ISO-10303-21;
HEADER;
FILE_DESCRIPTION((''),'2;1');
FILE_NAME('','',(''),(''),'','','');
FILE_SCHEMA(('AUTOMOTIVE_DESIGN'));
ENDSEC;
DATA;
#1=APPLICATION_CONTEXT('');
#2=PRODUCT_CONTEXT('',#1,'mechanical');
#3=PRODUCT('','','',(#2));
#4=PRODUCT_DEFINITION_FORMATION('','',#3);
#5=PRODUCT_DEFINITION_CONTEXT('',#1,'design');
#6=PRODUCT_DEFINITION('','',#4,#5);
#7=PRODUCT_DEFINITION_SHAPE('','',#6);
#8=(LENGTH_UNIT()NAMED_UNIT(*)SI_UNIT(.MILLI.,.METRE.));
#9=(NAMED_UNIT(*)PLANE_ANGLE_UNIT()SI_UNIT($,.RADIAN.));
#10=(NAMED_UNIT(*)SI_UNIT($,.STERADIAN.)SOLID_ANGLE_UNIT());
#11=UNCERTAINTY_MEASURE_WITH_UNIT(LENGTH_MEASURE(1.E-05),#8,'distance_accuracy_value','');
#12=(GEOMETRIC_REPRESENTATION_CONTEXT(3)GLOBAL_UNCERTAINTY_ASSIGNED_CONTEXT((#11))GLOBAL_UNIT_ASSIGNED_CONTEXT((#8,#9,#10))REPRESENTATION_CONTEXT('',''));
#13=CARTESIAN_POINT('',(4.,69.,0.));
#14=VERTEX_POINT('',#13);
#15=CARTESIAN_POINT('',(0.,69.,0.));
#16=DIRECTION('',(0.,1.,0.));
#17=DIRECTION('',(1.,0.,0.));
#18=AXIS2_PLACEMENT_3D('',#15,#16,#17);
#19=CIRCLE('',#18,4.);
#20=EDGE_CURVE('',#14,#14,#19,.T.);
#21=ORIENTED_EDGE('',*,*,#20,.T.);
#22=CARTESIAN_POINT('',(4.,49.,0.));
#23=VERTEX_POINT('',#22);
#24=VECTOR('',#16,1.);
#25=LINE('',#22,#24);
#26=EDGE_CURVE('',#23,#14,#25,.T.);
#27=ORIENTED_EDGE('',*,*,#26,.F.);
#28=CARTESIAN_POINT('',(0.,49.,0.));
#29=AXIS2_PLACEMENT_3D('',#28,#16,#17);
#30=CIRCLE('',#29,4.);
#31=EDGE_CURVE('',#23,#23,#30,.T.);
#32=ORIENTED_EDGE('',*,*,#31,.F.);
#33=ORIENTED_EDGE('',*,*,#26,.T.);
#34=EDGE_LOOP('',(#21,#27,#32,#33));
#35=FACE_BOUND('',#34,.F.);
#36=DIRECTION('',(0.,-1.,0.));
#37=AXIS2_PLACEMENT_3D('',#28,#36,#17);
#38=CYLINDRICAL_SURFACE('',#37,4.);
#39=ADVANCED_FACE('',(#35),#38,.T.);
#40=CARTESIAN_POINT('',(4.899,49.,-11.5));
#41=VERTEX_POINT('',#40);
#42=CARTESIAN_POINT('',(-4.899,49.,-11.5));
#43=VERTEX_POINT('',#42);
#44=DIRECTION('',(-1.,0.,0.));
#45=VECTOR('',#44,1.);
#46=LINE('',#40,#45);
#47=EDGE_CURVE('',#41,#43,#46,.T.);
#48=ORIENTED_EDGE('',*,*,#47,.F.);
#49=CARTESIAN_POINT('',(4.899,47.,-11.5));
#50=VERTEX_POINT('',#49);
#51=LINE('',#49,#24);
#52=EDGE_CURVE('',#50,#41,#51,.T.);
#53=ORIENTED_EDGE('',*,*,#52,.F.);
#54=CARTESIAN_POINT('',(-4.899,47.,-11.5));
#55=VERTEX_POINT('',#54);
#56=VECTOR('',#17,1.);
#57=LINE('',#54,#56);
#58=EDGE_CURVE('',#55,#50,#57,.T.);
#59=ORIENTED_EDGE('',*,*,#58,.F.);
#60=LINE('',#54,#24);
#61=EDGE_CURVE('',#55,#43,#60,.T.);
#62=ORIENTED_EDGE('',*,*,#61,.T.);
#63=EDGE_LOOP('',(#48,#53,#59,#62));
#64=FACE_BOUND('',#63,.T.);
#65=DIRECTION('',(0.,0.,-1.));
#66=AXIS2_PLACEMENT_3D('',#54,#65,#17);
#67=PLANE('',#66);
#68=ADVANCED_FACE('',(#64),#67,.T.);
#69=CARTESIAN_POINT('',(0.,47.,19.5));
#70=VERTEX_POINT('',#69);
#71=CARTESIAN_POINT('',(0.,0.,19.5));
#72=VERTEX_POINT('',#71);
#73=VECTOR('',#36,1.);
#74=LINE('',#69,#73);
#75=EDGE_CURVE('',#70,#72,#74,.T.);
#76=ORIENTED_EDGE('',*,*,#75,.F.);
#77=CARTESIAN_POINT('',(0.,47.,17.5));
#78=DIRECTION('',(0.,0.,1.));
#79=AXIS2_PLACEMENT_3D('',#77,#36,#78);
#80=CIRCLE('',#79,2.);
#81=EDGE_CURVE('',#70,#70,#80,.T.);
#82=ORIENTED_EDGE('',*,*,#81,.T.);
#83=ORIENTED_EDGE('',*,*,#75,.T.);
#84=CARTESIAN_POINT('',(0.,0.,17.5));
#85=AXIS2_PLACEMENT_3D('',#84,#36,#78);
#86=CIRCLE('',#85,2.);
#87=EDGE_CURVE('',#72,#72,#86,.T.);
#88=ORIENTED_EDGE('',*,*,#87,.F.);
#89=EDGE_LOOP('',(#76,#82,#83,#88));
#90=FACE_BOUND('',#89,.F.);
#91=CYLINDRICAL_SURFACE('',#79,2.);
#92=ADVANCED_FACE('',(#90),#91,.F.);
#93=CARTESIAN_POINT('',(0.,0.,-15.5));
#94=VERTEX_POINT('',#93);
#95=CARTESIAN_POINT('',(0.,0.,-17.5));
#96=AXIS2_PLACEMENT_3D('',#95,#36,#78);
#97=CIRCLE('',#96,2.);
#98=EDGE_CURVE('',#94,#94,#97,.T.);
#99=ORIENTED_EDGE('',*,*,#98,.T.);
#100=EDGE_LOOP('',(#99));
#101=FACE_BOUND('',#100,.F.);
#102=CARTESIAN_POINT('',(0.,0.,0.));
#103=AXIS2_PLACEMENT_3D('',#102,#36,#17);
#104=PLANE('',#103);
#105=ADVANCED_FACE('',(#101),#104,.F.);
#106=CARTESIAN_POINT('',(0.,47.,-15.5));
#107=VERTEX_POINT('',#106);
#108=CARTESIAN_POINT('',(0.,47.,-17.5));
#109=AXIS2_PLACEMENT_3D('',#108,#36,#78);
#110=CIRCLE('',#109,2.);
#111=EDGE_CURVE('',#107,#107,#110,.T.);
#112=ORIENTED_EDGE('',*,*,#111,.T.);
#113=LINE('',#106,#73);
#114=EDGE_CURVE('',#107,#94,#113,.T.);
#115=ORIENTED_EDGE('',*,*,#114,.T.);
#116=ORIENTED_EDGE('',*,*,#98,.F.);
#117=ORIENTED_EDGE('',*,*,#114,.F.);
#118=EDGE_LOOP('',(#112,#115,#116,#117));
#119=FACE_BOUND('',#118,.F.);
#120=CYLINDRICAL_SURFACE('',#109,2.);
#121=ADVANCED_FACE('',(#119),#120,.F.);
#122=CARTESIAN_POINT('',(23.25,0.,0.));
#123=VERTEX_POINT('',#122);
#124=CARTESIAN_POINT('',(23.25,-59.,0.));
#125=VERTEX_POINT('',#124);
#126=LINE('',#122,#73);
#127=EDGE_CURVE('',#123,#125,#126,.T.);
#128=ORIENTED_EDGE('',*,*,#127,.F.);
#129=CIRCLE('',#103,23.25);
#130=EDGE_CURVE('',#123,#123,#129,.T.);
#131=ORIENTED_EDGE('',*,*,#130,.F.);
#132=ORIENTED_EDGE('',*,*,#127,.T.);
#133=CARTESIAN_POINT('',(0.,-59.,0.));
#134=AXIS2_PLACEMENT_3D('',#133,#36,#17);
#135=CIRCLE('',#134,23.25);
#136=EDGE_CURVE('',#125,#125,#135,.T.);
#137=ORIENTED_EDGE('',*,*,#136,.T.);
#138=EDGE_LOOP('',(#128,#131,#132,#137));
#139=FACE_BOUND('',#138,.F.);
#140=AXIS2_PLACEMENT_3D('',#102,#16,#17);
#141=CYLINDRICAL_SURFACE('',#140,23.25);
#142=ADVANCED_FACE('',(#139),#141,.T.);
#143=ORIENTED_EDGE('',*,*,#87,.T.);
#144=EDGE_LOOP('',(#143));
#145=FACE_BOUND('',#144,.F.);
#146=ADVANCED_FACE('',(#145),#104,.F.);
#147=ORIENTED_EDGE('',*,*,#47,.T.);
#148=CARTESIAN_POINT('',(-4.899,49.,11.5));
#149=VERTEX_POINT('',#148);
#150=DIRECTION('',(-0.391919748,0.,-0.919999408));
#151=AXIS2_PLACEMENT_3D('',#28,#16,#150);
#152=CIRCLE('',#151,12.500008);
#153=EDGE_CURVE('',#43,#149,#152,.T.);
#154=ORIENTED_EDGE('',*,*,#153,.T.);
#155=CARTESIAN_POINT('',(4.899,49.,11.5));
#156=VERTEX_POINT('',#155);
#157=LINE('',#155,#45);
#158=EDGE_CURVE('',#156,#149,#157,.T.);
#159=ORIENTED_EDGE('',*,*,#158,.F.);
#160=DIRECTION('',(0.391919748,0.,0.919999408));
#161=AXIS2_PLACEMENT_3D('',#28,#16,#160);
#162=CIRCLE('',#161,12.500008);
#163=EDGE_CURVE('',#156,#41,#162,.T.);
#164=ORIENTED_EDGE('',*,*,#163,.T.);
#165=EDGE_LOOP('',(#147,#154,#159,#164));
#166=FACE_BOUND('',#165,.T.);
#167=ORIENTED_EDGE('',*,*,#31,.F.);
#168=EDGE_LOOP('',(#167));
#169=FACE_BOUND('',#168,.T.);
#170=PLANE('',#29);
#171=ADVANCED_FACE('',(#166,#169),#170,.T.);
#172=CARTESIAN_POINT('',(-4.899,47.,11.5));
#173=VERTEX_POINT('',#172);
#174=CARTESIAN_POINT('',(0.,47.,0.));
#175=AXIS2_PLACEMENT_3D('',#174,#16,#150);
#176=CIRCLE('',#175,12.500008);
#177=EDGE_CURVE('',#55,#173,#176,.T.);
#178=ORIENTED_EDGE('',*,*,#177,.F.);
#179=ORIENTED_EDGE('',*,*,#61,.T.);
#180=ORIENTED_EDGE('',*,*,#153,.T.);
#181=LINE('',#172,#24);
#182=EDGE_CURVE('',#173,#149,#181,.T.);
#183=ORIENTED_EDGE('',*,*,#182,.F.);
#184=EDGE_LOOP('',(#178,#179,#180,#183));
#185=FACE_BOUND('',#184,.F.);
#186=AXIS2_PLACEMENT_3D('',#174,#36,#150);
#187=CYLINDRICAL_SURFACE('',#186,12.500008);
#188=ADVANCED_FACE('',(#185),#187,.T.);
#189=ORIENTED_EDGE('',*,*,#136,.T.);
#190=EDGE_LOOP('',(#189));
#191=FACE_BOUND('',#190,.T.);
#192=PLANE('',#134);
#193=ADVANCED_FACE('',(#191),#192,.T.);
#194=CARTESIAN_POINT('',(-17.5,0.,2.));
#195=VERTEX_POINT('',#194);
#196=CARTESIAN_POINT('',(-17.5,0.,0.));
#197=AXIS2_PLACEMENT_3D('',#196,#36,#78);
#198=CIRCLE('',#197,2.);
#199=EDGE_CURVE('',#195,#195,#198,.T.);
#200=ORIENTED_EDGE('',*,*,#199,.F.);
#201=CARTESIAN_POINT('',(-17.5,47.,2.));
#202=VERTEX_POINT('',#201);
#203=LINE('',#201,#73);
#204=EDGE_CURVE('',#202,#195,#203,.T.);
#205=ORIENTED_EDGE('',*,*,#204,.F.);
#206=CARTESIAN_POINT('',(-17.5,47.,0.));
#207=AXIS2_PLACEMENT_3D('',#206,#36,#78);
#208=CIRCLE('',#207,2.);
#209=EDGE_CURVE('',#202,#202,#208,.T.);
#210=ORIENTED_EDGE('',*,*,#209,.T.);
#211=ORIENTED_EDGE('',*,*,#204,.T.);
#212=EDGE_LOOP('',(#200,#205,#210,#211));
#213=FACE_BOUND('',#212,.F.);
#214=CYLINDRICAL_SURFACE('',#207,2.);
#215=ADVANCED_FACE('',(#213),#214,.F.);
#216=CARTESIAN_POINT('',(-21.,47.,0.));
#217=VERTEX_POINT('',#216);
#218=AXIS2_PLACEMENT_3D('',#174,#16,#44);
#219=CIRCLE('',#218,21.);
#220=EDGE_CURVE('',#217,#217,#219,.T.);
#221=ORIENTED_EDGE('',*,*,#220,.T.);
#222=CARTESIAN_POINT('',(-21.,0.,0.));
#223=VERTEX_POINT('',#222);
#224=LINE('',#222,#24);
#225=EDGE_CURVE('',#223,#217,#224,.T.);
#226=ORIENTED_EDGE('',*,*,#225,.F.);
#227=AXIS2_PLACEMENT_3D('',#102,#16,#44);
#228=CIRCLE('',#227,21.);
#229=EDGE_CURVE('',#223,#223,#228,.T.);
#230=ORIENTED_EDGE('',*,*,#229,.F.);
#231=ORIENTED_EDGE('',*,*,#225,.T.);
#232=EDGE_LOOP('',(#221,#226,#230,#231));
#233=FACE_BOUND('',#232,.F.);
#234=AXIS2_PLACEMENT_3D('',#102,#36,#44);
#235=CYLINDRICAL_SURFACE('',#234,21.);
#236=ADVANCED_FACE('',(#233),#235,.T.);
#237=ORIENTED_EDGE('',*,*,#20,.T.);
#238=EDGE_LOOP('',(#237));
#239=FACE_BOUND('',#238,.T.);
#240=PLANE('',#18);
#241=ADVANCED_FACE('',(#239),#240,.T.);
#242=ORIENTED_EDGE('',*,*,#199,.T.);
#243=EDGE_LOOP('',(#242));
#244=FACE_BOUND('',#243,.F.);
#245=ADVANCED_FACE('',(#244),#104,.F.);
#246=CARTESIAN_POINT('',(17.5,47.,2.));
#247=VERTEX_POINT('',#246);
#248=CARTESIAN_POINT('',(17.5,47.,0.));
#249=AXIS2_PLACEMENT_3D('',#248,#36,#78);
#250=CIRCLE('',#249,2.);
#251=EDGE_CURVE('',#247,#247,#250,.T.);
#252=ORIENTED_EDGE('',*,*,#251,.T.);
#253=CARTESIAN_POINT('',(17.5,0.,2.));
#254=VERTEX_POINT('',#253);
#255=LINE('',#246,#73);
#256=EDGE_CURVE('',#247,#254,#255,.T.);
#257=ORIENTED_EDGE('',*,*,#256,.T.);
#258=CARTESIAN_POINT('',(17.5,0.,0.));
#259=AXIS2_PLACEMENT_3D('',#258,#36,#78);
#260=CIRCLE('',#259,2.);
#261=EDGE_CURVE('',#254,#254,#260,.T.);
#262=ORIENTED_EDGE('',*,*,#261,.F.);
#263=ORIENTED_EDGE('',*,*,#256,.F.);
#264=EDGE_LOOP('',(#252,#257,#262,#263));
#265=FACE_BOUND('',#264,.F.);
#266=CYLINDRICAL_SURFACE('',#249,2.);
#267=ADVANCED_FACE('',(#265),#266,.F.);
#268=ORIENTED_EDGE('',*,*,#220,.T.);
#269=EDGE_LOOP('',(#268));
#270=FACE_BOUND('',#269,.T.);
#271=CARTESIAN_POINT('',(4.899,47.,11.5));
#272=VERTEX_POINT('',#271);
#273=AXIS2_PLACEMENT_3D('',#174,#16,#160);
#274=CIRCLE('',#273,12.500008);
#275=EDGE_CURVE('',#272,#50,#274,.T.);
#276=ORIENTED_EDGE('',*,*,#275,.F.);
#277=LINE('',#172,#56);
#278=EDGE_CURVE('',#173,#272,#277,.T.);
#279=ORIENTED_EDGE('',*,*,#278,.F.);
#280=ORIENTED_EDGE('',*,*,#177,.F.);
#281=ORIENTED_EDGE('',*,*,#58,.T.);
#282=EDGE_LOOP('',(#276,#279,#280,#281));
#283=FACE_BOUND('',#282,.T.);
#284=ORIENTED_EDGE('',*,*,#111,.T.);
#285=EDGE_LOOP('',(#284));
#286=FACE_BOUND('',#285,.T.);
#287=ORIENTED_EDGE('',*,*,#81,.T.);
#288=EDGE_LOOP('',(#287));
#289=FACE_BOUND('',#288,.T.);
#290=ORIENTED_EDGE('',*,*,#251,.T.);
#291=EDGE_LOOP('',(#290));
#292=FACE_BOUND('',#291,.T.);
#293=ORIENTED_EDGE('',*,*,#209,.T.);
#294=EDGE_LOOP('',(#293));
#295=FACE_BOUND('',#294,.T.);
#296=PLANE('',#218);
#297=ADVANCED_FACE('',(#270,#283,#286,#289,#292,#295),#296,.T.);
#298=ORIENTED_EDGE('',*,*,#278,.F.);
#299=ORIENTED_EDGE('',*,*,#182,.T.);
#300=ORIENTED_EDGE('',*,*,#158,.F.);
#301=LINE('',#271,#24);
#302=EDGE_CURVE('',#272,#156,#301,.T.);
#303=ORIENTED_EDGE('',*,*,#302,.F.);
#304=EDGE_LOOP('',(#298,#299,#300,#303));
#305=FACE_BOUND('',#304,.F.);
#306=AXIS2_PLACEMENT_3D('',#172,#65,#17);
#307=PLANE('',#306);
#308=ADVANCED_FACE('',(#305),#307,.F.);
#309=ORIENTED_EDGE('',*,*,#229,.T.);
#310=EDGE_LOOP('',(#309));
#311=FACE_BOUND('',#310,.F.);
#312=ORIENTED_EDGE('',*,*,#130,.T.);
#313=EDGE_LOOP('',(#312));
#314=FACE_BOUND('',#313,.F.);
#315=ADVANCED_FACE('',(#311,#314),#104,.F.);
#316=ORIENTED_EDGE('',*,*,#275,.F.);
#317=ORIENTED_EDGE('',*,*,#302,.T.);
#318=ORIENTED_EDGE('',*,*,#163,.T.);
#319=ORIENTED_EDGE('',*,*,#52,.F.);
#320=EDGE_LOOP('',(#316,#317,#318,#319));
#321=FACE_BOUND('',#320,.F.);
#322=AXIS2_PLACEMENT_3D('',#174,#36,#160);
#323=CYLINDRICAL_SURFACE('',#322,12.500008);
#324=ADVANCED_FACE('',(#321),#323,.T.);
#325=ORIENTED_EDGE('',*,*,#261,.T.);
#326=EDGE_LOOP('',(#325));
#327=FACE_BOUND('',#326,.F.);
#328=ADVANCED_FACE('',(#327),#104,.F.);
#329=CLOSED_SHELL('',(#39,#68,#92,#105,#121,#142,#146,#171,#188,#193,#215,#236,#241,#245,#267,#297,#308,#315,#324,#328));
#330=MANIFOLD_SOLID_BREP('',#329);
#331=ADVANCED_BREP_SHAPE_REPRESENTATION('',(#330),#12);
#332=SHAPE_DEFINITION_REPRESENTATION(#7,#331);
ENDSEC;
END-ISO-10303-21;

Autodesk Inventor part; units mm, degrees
ref_plane "YZ Plane" through (0, 0, 0) normal (1, 0, 0) x (0, 1, 0)
ref_plane "XZ Plane" through (0, 0, 0) normal (0, 1, 0) x (-1, 0, 0)
ref_plane "XY Plane" through (0, 0, 0) normal (0, 0, 1) x (1, 0, 0)
sketch "スケッチ1" plane through (0, 0, 0) normal (0, 1, 0) x (-1, 0, 0)
  circle A0 centre (0, 0) radius 21
  dimension "d0" = 42
extrude "押し出し1" add sketch "スケッチ1" along normal blind 47
sketch "スケッチ2" plane through (0, 47, 0) normal (0, 1, 0) x (1, 0, 0)
  line L0 (0, 0) -> (0, 11.5)
  line L1 (0, 11.5) -> (0, -11.5)
  line L2 (-4.899, -11.5) -> (4.899, -11.5)
  line L3 (-4.899, 11.5) -> (4.899, 11.5)
  arc A0 (-4.899, 11.5) -> (-4.899, -11.5) centre (0, 0) ccw
  arc A1 (4.899, -11.5) -> (4.899, 11.5) centre (0, 0) ccw
extrude "押し出し2" add sketch "スケッチ2" along normal blind 2
sketch "スケッチ3" plane through (0, 47, 0) normal (0, 1, 0) x (1, 0, 0)
  circle A0 centre (0, 0) radius 17.5
  point P0 (-17.5, 0)
  point P1 (0, 17.5)
  point P2 (0, -17.5)
  point P3 (17.5, 0)
  dimension "d8" = 35
hole "穴1" at (-17.5, 47, 0) at (0, 47, -17.5) at (0, 47, 17.5) at (17.5, 47, 0) direction (0, -1, 0) diameter 4 end through all
sketch "スケッチ4" plane through (0, 49, 0) normal (0, 1, 0) x (1, 0, 0)
  circle A0 centre (0, 0) radius 4
  dimension "d16" = 8
extrude "押し出し3" add sketch "スケッチ4" along normal blind 20
sketch "スケッチ5" plane through (0, 0, 0) normal (0, -1, 0) x (1, 0, 0)
  circle A0 centre (0, 0) radius 23.25
  dimension "d19" = 46.5
extrude "押し出し4" add sketch "スケッチ5" along normal blind 59
properties part number "IG42-017"
